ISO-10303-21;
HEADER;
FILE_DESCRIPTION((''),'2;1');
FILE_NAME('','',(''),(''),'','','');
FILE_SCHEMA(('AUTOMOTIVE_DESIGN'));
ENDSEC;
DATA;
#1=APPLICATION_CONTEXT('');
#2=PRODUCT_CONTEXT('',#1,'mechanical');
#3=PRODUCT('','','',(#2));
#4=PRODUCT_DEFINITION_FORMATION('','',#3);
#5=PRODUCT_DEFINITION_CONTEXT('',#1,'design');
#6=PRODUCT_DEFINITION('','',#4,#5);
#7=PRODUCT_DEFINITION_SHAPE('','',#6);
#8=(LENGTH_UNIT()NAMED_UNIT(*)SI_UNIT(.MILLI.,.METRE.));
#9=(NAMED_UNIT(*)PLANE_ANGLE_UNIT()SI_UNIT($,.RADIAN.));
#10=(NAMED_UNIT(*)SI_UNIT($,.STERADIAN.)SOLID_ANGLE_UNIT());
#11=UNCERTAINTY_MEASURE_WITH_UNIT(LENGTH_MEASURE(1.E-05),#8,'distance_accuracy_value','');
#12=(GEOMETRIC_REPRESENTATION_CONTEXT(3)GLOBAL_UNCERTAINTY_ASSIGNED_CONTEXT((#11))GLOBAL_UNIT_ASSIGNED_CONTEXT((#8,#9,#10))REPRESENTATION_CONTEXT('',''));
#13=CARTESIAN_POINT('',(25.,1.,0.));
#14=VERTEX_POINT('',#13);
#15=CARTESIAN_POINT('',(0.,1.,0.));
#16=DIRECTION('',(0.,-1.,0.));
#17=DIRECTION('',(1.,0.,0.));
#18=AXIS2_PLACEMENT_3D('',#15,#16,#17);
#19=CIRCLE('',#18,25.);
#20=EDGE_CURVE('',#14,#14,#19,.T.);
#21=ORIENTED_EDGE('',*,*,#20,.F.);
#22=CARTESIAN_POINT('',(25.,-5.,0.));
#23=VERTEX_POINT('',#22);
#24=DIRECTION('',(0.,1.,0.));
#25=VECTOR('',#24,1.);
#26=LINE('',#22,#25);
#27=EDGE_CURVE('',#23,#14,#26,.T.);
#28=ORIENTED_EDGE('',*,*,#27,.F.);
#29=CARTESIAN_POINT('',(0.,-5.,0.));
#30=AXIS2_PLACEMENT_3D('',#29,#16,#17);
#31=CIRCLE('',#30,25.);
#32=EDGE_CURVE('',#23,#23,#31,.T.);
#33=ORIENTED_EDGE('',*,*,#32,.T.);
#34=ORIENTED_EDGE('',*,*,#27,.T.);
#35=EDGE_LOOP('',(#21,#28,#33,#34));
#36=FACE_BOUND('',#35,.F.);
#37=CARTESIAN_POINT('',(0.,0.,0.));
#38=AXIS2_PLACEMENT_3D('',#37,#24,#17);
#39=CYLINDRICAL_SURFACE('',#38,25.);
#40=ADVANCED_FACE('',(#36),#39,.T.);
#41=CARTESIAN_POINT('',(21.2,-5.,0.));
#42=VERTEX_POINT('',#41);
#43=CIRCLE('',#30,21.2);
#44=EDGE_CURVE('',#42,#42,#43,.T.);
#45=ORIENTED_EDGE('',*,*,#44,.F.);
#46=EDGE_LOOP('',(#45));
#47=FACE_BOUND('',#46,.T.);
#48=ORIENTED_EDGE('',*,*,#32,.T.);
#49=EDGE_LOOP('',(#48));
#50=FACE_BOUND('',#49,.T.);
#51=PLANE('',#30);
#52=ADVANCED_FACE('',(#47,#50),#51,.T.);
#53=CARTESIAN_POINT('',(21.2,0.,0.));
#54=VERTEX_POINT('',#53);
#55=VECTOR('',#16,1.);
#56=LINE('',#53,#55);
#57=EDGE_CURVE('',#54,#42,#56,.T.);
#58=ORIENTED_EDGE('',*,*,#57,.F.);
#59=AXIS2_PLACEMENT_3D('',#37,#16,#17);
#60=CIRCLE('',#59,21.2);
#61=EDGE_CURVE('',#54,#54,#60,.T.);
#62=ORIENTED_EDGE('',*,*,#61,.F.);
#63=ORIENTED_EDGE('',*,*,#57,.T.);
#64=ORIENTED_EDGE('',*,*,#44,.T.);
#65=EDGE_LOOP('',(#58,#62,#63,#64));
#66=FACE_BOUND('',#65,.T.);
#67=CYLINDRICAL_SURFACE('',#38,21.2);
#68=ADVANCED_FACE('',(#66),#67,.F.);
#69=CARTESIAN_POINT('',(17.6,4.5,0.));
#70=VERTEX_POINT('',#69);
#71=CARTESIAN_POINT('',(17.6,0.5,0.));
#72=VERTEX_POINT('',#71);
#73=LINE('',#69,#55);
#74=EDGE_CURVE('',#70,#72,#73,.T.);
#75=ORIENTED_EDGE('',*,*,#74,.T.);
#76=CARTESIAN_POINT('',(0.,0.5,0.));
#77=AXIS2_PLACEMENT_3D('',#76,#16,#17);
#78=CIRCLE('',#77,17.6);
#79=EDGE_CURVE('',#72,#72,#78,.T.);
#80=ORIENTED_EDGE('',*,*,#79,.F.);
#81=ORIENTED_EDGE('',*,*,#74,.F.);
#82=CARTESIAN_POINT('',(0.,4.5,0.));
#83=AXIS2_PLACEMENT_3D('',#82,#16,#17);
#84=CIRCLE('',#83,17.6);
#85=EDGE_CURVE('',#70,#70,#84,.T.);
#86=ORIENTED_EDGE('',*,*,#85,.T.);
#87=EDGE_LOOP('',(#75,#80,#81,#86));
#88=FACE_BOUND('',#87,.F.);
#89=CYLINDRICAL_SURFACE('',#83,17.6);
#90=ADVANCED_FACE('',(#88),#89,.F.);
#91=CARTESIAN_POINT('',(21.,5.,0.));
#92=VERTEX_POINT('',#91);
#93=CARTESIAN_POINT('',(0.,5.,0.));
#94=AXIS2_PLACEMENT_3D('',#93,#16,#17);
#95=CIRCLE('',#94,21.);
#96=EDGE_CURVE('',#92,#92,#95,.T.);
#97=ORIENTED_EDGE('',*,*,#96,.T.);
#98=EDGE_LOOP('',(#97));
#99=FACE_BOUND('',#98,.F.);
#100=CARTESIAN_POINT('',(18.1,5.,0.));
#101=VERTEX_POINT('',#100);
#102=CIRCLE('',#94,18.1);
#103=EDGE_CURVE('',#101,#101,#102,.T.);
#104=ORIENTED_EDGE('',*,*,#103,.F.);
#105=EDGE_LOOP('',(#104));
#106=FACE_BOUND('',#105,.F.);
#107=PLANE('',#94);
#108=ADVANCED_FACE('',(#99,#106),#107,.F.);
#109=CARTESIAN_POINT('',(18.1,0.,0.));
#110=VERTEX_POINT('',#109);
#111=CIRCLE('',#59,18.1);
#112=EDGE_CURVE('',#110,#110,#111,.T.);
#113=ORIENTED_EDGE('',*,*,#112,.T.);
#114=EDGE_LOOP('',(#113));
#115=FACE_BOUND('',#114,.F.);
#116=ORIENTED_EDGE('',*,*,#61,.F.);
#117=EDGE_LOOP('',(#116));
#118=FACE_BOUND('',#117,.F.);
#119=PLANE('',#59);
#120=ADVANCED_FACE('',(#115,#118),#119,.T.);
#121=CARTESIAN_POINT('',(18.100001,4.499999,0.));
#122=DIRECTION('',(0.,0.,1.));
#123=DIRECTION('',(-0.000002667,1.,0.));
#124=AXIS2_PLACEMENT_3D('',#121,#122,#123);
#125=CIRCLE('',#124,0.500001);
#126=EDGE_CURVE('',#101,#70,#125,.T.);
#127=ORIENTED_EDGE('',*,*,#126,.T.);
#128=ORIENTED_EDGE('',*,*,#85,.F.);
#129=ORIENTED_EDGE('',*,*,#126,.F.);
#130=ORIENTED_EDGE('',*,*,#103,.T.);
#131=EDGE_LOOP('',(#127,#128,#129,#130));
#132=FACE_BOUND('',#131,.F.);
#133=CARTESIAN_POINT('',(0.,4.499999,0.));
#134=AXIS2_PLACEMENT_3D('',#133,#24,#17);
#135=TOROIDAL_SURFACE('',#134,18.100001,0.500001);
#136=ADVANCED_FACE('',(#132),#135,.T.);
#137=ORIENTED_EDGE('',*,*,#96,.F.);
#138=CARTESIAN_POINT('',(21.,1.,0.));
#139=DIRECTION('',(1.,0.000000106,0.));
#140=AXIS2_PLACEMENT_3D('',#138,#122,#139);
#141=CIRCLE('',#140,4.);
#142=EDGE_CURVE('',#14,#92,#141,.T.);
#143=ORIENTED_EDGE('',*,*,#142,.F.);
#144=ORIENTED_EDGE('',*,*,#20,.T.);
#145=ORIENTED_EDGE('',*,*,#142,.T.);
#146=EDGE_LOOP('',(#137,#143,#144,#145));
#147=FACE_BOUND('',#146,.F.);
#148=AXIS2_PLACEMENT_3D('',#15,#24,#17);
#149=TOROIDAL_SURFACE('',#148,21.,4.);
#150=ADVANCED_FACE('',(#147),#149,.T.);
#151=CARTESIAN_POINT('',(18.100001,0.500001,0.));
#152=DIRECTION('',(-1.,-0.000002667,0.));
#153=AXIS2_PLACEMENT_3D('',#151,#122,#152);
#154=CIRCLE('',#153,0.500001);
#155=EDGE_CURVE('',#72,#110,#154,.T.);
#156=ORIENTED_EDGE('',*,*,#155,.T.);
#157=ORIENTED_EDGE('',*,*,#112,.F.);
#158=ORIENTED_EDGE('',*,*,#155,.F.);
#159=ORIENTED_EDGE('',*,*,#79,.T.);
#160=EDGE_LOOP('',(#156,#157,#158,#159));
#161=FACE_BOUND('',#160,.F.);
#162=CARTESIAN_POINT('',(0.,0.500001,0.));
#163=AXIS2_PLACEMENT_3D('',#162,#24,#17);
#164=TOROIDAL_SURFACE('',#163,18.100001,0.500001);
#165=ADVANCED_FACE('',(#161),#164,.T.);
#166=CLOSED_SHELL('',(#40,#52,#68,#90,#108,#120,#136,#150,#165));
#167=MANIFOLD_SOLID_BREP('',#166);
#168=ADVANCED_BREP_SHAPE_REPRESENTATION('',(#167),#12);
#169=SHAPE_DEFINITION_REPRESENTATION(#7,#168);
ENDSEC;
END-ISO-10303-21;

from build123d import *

# Parameters (mm, degrees)
F0_R     = 25
F0_R_2   = 21.2
F1_DEPTH = 5


with BuildPart() as f1:
    # F0 (on Front) → F1 (new body)
    with BuildSketch(Plane.XZ):
        Circle(F0_R)
        Circle(F0_R_2, mode=Mode.SUBTRACT)
    extrude(amount=F1_DEPTH)

    # F2 (on Top) → F3 (revolve)
    with BuildSketch(Plane.XY):
        with BuildLine():
            Line((17.6, 4.5), (17.6, 0.5))
            ThreePointArc((17.6, 0.5), (17.746447, 0.146447), (18.1, 0))
            Line((18.1, 0), (25, 0))
            Line((25, 0), (25, 1))
            ThreePointArc((25, 1), (23.828427, 3.828427), (21, 5))
            Line((21, 5), (18.1, 5))
            ThreePointArc((18.1, 5), (17.746447, 4.853553), (17.6, 4.5))
        make_face()
    revolve(axis=Axis((0, 0, 0), (0, -1, 0)))


solid = f1.part
